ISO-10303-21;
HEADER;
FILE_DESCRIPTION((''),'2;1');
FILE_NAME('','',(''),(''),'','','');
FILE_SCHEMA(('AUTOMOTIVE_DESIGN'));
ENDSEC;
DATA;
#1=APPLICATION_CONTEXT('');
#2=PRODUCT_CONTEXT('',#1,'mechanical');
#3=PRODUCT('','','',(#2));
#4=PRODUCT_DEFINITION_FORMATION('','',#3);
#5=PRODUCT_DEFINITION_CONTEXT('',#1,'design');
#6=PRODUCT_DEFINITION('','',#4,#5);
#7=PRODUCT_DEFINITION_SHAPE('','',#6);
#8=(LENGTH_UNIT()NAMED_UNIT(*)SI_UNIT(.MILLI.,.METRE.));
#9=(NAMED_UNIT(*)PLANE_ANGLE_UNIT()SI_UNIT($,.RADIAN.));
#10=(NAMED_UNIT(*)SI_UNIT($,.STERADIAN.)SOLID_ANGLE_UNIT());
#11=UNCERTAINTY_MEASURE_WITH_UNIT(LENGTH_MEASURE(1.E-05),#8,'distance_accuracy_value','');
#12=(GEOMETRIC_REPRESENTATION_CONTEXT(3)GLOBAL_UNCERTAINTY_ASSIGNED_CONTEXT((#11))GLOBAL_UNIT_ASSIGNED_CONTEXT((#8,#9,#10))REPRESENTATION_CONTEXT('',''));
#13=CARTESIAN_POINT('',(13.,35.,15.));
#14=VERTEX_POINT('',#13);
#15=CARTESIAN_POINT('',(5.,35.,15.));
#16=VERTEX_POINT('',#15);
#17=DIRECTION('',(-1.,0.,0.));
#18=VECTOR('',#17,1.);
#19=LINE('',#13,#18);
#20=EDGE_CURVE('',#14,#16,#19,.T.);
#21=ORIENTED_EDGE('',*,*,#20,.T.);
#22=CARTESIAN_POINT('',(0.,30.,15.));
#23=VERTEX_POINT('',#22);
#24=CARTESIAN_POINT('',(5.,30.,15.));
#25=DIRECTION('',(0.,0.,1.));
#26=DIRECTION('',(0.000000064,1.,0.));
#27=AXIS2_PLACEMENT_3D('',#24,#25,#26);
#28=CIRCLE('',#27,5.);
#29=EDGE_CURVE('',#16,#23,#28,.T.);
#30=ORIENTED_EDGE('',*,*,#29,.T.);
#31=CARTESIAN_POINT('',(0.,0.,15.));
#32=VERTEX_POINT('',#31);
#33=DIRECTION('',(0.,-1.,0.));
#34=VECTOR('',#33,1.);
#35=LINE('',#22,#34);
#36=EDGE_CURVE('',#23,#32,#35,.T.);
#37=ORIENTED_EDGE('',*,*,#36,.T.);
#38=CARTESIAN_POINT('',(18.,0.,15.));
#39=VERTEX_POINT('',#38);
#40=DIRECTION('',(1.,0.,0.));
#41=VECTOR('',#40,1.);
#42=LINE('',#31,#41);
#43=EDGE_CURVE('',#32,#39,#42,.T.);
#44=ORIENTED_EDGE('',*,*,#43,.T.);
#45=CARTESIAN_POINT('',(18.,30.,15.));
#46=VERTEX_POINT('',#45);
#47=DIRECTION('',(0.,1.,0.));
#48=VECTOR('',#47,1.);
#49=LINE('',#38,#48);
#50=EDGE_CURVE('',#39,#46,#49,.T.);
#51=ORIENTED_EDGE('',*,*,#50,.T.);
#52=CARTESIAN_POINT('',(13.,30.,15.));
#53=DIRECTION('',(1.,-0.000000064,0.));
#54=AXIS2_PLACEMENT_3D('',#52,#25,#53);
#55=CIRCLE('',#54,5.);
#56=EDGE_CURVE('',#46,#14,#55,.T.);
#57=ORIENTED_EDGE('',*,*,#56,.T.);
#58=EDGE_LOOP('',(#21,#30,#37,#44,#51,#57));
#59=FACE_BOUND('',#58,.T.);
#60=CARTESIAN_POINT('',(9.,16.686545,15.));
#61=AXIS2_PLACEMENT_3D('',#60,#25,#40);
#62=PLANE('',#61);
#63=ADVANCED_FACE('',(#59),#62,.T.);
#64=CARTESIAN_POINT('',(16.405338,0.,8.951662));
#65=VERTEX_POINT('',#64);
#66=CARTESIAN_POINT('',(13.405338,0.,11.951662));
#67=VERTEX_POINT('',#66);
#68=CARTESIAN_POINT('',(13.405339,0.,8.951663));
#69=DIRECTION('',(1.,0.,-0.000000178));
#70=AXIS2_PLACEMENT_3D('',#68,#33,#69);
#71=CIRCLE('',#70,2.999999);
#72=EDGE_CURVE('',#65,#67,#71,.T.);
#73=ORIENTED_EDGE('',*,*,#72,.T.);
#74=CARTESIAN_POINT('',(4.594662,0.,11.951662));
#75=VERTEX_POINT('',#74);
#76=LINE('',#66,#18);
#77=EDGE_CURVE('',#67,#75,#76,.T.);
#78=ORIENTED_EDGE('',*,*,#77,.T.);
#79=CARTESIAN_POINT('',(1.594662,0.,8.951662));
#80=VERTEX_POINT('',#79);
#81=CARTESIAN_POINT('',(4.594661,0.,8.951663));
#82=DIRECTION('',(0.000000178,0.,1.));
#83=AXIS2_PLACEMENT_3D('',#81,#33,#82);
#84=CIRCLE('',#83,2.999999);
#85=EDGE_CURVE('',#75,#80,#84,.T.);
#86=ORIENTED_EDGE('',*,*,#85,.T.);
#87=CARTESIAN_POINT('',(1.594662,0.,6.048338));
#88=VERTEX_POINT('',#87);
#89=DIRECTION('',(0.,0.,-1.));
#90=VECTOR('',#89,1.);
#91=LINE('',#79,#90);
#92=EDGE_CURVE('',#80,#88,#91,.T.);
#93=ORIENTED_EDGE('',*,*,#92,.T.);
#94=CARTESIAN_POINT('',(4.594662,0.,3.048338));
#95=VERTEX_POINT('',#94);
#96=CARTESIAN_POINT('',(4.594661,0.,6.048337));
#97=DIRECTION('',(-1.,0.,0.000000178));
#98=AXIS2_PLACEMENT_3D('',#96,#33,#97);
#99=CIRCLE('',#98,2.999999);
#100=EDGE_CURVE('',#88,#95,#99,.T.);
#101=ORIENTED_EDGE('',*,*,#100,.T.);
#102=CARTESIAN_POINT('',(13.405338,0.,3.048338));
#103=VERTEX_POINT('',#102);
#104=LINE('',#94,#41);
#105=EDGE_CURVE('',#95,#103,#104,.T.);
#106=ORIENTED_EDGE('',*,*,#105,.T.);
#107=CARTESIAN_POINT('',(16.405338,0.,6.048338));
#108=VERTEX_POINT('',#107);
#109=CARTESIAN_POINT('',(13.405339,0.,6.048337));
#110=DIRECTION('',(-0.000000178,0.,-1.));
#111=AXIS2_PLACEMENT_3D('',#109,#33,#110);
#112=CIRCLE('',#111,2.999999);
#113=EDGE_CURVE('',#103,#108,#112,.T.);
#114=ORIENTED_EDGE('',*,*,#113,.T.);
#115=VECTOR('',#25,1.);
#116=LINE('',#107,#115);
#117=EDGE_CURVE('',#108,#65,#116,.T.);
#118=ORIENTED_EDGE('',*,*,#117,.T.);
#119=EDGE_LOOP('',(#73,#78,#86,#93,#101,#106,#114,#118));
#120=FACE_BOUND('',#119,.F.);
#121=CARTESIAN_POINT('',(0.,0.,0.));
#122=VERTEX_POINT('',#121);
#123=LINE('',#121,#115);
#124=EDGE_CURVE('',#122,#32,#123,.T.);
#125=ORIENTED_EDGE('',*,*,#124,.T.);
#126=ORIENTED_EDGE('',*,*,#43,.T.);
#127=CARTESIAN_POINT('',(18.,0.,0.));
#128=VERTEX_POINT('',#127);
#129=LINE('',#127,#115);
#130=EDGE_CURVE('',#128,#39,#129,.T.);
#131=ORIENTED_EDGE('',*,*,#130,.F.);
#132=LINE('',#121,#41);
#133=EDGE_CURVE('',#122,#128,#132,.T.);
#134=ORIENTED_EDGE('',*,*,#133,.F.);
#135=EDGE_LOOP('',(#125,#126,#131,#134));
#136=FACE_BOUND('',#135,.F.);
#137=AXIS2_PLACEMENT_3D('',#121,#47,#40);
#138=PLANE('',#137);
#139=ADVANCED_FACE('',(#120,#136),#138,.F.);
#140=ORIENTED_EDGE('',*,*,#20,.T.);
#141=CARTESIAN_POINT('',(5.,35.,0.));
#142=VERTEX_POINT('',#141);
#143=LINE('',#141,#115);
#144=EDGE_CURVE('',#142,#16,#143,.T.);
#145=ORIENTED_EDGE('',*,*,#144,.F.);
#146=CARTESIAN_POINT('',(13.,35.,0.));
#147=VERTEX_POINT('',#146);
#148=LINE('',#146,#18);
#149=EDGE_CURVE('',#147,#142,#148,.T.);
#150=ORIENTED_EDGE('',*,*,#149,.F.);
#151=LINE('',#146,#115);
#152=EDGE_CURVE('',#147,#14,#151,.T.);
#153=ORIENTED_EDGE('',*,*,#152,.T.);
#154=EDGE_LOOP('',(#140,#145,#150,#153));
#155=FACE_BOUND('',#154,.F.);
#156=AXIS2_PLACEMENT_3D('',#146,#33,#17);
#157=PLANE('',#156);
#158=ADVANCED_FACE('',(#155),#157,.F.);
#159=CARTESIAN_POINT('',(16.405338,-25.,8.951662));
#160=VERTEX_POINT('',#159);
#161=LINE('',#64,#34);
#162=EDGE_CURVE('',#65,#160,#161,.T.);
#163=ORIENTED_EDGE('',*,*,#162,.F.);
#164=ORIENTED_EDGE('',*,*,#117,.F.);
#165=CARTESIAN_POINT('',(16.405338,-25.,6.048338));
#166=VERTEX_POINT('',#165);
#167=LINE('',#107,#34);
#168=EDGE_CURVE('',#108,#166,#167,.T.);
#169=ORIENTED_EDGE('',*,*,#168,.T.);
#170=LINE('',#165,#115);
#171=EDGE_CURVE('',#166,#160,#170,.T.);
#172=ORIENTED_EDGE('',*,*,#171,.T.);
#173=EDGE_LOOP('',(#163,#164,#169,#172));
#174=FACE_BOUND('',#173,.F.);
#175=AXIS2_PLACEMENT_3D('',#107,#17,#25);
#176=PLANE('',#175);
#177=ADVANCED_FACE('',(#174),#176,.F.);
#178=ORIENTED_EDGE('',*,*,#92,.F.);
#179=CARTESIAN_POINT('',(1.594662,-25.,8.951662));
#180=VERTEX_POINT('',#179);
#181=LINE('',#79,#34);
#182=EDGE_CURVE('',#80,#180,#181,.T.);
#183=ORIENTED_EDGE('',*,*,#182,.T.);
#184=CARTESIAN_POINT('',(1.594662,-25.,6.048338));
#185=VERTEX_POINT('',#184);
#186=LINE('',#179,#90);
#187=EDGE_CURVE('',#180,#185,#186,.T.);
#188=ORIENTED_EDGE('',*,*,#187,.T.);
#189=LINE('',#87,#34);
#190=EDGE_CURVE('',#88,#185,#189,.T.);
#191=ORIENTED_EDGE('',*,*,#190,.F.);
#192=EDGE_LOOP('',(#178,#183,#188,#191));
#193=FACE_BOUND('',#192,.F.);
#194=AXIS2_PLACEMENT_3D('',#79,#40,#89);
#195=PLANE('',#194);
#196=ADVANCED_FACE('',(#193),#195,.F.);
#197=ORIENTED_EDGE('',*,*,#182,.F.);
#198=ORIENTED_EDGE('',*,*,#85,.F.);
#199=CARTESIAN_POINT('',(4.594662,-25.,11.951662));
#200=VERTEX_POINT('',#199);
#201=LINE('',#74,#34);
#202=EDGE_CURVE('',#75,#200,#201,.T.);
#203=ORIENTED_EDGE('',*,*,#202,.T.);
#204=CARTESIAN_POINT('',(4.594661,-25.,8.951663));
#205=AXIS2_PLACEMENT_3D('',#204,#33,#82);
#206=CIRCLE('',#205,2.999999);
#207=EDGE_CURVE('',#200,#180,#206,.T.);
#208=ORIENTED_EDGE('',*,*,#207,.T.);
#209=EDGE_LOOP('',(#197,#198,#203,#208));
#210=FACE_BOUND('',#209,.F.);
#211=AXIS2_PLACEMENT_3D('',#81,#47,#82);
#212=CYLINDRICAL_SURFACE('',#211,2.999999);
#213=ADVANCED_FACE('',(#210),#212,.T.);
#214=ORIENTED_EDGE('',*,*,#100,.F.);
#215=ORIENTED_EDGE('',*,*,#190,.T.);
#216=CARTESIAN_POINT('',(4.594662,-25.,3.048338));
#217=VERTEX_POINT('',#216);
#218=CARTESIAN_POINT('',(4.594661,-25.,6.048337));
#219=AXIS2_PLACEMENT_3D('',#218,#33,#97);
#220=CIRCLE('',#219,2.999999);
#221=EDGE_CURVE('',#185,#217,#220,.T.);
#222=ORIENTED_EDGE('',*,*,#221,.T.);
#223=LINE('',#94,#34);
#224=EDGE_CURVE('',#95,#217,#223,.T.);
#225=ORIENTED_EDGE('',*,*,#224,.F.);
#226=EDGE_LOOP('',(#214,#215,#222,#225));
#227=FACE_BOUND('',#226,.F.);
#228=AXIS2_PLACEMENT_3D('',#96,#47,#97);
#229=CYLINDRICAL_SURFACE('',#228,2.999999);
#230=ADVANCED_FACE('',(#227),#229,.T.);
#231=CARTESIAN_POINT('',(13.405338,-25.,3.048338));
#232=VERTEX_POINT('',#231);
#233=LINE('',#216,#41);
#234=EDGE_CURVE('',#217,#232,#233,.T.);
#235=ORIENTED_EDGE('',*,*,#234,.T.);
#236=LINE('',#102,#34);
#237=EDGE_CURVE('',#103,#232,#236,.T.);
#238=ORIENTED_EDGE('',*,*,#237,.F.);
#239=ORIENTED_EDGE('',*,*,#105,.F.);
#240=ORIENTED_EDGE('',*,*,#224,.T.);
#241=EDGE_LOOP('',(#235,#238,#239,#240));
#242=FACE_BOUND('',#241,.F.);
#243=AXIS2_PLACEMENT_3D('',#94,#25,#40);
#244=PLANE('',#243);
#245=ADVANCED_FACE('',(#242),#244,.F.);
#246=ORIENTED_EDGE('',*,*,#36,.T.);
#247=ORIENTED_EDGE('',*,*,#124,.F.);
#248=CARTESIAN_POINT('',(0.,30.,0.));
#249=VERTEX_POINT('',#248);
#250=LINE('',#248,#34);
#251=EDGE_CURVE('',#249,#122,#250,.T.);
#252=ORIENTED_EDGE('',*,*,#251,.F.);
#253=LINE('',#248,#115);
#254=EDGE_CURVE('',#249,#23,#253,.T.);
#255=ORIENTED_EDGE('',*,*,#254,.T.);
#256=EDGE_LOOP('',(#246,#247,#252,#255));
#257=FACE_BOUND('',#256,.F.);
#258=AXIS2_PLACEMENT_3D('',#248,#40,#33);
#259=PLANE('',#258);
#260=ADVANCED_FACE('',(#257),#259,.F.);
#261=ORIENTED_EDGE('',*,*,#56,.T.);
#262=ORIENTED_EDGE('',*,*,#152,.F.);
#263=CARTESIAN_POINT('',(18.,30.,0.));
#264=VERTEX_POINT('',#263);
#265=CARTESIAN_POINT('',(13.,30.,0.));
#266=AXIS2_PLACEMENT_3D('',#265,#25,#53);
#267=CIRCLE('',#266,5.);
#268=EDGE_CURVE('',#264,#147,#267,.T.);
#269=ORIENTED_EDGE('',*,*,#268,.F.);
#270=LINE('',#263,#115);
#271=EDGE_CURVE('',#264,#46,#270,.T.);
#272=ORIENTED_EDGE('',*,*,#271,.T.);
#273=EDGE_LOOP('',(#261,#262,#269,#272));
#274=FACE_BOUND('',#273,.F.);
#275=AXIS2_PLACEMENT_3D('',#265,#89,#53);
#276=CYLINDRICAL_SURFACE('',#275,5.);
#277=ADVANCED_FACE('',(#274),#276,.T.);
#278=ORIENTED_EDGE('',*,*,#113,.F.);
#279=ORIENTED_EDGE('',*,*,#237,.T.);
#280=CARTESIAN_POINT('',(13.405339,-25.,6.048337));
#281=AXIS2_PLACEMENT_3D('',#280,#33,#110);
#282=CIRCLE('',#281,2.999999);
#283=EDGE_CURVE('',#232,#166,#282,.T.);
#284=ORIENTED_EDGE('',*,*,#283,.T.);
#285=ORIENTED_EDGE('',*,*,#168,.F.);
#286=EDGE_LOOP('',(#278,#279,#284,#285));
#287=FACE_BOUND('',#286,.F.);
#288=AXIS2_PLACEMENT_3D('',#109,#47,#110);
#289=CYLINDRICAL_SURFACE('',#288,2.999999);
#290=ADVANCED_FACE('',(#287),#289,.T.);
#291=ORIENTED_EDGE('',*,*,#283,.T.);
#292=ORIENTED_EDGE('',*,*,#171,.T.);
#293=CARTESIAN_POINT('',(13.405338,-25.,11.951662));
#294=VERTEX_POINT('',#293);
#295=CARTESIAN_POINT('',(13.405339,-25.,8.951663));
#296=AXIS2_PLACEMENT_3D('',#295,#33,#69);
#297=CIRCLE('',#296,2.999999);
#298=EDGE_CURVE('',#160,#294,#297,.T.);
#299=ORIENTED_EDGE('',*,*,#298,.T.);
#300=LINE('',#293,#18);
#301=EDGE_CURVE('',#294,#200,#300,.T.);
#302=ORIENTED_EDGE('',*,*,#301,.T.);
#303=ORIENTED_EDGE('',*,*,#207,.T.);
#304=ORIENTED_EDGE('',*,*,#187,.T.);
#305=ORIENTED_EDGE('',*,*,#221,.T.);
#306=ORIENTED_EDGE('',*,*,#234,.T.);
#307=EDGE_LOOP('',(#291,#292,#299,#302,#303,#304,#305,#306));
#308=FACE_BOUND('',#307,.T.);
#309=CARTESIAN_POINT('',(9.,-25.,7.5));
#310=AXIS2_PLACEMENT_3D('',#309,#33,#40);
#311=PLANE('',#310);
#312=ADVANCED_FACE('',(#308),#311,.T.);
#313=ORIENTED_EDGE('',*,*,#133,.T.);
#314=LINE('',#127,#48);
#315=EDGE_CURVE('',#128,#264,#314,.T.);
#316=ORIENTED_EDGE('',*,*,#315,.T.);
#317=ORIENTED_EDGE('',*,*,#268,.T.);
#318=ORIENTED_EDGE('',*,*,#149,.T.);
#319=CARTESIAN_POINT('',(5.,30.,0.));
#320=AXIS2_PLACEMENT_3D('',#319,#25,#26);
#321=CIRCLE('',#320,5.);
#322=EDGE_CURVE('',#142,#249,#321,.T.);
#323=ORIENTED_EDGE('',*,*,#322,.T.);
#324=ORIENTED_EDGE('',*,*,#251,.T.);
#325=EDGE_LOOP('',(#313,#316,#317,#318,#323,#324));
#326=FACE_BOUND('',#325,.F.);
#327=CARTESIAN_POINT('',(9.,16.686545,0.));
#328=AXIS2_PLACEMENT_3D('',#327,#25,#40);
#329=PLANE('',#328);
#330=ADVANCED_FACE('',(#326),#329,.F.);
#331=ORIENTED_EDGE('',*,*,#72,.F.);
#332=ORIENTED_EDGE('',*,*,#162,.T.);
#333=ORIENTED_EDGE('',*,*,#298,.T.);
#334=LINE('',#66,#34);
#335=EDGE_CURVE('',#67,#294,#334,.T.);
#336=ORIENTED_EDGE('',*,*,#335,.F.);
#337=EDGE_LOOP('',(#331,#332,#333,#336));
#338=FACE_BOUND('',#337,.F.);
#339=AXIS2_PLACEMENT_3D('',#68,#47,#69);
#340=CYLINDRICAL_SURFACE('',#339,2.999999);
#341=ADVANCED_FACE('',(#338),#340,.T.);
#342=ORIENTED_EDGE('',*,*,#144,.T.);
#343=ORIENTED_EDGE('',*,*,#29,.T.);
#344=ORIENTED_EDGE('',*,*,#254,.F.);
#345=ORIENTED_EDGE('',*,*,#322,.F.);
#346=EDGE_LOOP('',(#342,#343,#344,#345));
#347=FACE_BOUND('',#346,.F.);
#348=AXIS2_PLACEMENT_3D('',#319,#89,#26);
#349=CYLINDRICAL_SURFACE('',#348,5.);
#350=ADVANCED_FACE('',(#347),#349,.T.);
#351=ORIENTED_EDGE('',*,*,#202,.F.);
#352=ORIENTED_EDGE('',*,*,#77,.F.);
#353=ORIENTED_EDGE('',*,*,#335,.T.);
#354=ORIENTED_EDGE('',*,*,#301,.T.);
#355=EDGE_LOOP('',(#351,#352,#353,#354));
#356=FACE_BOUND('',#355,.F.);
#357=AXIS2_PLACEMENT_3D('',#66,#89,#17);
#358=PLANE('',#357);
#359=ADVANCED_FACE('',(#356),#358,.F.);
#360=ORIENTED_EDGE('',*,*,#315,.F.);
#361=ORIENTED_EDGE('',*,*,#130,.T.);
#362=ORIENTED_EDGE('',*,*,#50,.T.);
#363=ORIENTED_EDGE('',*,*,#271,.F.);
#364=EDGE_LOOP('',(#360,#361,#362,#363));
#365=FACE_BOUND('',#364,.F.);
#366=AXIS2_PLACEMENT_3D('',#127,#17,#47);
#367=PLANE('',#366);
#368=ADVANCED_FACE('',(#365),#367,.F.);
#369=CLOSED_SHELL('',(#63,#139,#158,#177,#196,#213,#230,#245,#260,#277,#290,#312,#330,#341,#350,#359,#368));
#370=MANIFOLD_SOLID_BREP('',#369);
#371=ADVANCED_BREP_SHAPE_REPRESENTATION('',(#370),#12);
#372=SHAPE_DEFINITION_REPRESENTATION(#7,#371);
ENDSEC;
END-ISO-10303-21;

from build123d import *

# Parameters (mm, degrees)
F1_DEPTH = 15
F3_DEPTH = 25


with BuildPart() as f1:
    # F0 (on Top) → F1 (new body)
    with BuildSketch(Plane.XY):
        with BuildLine():
            Line((0, 30), (0, 0))
            Line((0, 0), (18, 0))
            Line((18, 0), (18, 30))
            ThreePointArc((18, 30), (16.535534, 33.535534), (13, 35))
            Line((13, 35), (5, 35))
            ThreePointArc((5, 35), (1.464466, 33.535534), (0, 30))
        make_face()
    extrude(amount=F1_DEPTH)

    # F2 (on face) → F3 (join)
    with BuildSketch(Plane.XZ):
        with BuildLine():
            ThreePointArc((16.405338, 8.951662), (15.526659, 11.072982), (13.405338, 11.951662))
            Line((13.405338, 11.951662), (4.594662, 11.951662))
            ThreePointArc((4.594662, 11.951662), (2.473341, 11.072982), (1.594662, 8.951662))
            Line((1.594662, 8.951662), (1.594662, 6.048338))
            ThreePointArc((1.594662, 6.048338), (2.473341, 3.927018), (4.594662, 3.048338))
            Line((4.594662, 3.048338), (13.405338, 3.048338))
            ThreePointArc((13.405338, 3.048338), (15.526659, 3.927018), (16.405338, 6.048338))
            Line((16.405338, 6.048338), (16.405338, 8.951662))
        make_face()
    extrude(amount=F3_DEPTH)


solid = f1.part
